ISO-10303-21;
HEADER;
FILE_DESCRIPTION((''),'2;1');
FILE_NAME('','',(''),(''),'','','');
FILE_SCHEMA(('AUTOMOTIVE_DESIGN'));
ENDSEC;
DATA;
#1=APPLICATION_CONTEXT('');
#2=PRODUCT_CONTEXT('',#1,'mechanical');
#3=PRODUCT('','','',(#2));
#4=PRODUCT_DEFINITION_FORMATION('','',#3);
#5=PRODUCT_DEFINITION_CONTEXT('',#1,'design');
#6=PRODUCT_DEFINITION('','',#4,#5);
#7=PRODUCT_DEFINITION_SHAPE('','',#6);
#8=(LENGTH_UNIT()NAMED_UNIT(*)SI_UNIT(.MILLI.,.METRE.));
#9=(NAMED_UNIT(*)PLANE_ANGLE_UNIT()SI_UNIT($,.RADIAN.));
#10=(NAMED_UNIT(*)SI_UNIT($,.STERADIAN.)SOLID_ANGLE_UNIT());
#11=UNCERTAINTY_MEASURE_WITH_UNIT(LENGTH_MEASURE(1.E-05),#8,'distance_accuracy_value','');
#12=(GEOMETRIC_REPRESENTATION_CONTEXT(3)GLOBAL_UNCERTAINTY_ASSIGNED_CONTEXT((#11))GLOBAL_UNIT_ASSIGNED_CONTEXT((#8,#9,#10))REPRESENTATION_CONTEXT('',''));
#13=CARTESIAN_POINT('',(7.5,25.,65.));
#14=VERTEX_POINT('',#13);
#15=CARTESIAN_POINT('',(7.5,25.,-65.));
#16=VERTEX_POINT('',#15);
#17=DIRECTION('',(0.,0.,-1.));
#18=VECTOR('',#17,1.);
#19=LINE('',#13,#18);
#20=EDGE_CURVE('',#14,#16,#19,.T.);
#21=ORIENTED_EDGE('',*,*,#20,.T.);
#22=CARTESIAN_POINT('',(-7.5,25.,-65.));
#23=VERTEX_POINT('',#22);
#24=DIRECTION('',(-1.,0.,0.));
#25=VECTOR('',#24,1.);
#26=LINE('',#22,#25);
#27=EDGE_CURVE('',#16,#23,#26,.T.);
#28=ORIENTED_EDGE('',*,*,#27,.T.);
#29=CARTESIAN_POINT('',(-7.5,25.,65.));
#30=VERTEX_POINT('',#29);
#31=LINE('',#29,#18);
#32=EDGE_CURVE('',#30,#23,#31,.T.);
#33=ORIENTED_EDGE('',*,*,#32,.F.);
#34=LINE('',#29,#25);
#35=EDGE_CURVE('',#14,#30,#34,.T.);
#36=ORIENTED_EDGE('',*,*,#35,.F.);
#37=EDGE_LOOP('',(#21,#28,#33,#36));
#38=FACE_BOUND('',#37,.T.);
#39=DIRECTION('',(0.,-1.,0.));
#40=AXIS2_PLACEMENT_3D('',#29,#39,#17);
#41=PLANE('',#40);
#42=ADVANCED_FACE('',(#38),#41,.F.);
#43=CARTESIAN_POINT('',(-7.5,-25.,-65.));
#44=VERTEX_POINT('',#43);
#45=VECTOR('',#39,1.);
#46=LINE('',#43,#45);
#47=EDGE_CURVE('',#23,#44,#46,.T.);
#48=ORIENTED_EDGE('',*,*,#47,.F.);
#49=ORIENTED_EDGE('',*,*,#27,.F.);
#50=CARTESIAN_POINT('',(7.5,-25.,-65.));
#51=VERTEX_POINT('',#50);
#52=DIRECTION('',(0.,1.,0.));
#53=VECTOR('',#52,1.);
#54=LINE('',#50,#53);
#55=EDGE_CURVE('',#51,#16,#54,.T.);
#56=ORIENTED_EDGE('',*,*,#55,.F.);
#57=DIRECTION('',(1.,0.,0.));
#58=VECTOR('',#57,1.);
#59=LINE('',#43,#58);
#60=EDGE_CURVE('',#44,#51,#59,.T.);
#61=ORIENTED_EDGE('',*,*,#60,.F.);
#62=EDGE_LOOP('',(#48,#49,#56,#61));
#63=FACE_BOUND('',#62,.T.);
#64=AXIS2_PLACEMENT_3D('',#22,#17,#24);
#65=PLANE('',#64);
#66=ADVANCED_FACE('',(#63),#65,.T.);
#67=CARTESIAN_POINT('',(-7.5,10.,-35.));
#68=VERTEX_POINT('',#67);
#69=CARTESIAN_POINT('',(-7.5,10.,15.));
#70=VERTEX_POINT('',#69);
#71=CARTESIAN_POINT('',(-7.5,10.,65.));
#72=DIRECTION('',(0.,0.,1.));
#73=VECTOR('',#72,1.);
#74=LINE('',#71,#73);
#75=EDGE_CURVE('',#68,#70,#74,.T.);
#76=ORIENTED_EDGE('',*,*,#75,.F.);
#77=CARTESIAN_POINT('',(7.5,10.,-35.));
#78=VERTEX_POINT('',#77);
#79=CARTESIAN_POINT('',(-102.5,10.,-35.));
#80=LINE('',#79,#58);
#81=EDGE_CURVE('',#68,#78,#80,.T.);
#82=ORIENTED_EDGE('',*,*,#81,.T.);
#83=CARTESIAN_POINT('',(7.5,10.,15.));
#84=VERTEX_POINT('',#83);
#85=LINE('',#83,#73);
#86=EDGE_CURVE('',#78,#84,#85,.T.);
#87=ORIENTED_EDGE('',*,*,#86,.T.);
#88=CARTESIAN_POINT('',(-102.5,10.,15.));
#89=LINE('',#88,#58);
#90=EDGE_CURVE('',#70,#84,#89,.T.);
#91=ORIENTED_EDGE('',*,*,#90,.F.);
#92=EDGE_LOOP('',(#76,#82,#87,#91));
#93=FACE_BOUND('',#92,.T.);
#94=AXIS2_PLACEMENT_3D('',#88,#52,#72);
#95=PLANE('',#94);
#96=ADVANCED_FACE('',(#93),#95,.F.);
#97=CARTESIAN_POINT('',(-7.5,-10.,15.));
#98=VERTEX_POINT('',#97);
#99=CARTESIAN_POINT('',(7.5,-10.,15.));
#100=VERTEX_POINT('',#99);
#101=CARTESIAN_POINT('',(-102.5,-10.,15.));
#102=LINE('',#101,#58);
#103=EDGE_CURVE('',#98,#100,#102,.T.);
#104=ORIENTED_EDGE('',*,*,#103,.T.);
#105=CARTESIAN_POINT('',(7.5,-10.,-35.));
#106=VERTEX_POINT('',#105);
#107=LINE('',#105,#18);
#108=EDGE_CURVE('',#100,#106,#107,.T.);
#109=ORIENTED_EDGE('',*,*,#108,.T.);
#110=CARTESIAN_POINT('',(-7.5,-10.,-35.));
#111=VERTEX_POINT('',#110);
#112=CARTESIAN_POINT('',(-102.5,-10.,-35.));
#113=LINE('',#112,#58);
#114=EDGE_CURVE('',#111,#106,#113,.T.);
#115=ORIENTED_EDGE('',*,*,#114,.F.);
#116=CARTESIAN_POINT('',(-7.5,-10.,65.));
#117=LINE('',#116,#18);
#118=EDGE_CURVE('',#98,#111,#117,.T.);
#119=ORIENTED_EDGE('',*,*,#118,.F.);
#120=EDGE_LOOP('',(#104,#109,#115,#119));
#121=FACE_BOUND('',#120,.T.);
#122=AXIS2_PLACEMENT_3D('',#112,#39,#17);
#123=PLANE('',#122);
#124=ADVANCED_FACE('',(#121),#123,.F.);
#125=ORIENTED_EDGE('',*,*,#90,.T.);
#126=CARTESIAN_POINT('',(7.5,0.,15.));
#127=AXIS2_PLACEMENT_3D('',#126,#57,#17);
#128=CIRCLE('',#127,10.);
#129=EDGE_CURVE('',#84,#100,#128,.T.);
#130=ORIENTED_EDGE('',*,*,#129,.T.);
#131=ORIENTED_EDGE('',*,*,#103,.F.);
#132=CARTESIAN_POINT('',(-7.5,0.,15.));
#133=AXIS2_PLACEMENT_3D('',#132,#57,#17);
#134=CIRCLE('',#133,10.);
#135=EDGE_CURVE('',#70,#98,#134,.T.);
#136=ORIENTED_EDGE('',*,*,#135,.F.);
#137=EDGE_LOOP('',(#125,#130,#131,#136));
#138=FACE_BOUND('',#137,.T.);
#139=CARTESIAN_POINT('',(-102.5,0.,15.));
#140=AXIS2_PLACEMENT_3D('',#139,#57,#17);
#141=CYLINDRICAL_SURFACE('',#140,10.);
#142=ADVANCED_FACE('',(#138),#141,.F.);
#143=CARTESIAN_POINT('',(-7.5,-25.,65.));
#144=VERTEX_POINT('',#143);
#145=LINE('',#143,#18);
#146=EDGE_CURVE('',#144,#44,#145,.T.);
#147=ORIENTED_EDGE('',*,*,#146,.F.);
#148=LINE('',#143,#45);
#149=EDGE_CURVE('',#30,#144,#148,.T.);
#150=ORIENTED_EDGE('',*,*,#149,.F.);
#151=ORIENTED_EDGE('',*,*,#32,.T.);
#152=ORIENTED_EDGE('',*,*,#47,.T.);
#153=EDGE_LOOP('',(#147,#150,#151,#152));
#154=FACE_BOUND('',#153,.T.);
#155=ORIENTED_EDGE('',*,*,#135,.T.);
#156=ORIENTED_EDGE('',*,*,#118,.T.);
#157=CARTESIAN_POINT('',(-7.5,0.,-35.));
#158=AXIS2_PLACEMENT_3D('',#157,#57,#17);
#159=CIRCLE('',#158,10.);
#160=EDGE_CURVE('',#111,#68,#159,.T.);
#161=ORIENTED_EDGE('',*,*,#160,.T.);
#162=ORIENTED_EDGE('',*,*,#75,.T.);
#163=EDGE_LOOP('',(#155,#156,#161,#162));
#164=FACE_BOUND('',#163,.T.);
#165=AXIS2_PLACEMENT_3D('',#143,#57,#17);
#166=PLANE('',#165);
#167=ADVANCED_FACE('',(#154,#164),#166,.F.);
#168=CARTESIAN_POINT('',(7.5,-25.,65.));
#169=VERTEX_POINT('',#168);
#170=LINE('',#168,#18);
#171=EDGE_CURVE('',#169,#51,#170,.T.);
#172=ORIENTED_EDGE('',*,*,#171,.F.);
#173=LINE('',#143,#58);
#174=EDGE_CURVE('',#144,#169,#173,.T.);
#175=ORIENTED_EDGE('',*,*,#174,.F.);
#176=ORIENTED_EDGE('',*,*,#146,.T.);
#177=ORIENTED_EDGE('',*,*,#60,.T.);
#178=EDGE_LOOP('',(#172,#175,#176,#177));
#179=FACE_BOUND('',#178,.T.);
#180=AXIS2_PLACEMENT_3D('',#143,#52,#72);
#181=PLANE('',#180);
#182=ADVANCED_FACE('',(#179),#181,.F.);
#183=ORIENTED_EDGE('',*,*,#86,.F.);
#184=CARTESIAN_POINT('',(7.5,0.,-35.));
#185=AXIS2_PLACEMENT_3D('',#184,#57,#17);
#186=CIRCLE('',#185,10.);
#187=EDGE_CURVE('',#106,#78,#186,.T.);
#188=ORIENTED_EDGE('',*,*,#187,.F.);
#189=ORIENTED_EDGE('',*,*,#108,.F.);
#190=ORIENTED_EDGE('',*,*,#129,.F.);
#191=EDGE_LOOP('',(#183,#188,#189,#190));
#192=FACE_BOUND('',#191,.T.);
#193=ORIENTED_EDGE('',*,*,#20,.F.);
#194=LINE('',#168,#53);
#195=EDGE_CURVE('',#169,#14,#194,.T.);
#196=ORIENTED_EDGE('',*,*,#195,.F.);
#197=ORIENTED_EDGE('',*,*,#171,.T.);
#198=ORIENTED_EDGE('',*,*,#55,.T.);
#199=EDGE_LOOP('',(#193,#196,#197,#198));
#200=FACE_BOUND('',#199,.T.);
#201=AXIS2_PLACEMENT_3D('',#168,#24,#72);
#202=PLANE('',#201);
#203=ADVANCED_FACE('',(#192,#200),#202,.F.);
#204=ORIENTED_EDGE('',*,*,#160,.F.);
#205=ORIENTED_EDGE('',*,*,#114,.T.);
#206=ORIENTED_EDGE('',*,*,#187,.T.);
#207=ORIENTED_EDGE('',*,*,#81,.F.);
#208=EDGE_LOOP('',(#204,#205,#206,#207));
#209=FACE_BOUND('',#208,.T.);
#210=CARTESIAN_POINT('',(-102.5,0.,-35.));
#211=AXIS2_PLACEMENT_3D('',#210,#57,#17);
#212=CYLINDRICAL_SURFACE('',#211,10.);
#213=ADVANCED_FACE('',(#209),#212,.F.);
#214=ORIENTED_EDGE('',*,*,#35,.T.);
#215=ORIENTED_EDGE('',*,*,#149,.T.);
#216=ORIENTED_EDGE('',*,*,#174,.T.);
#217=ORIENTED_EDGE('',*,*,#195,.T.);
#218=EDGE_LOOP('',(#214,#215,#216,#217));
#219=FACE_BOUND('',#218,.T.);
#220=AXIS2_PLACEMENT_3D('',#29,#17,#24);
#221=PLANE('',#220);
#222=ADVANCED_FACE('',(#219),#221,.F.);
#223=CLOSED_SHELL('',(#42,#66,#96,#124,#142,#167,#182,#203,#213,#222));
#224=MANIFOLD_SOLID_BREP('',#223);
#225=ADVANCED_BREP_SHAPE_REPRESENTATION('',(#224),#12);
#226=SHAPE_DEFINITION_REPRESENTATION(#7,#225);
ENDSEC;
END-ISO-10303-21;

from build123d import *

# Parameters (mm, degrees)
ESQUISSE1_W             = 15
ESQUISSE1_H             = 50
BOSS_EXTRU_1_DEPTH      = 65
ENL_V_MAT_EXTRU_1_DEPTH = 110


with BuildPart() as part:
    # Esquisse1 → Boss.-Extru.1 (new body, symmetric)
    with BuildSketch(Plane.XY):
        Rectangle(ESQUISSE1_W, ESQUISSE1_H)
    extrude(amount=BOSS_EXTRU_1_DEPTH, both=True)

    # Esquisse2 → Enlèv. mat.-Extru.1 (cut)
    with BuildSketch(Plane(origin=(7.5, 0, 0), x_dir=(0, 0, -1), z_dir=(1, 0, 0))):
        with BuildLine():
            Line((-15, 10), (35, 10))
            ThreePointArc((35, 10), (45, 0), (35, -10))
            Line((35, -10), (-15, -10))
            ThreePointArc((-15, -10), (-25, 0), (-15, 10))
        make_face()
    extrude(amount=-ENL_V_MAT_EXTRU_1_DEPTH, mode=Mode.SUBTRACT)


solid = part.part
